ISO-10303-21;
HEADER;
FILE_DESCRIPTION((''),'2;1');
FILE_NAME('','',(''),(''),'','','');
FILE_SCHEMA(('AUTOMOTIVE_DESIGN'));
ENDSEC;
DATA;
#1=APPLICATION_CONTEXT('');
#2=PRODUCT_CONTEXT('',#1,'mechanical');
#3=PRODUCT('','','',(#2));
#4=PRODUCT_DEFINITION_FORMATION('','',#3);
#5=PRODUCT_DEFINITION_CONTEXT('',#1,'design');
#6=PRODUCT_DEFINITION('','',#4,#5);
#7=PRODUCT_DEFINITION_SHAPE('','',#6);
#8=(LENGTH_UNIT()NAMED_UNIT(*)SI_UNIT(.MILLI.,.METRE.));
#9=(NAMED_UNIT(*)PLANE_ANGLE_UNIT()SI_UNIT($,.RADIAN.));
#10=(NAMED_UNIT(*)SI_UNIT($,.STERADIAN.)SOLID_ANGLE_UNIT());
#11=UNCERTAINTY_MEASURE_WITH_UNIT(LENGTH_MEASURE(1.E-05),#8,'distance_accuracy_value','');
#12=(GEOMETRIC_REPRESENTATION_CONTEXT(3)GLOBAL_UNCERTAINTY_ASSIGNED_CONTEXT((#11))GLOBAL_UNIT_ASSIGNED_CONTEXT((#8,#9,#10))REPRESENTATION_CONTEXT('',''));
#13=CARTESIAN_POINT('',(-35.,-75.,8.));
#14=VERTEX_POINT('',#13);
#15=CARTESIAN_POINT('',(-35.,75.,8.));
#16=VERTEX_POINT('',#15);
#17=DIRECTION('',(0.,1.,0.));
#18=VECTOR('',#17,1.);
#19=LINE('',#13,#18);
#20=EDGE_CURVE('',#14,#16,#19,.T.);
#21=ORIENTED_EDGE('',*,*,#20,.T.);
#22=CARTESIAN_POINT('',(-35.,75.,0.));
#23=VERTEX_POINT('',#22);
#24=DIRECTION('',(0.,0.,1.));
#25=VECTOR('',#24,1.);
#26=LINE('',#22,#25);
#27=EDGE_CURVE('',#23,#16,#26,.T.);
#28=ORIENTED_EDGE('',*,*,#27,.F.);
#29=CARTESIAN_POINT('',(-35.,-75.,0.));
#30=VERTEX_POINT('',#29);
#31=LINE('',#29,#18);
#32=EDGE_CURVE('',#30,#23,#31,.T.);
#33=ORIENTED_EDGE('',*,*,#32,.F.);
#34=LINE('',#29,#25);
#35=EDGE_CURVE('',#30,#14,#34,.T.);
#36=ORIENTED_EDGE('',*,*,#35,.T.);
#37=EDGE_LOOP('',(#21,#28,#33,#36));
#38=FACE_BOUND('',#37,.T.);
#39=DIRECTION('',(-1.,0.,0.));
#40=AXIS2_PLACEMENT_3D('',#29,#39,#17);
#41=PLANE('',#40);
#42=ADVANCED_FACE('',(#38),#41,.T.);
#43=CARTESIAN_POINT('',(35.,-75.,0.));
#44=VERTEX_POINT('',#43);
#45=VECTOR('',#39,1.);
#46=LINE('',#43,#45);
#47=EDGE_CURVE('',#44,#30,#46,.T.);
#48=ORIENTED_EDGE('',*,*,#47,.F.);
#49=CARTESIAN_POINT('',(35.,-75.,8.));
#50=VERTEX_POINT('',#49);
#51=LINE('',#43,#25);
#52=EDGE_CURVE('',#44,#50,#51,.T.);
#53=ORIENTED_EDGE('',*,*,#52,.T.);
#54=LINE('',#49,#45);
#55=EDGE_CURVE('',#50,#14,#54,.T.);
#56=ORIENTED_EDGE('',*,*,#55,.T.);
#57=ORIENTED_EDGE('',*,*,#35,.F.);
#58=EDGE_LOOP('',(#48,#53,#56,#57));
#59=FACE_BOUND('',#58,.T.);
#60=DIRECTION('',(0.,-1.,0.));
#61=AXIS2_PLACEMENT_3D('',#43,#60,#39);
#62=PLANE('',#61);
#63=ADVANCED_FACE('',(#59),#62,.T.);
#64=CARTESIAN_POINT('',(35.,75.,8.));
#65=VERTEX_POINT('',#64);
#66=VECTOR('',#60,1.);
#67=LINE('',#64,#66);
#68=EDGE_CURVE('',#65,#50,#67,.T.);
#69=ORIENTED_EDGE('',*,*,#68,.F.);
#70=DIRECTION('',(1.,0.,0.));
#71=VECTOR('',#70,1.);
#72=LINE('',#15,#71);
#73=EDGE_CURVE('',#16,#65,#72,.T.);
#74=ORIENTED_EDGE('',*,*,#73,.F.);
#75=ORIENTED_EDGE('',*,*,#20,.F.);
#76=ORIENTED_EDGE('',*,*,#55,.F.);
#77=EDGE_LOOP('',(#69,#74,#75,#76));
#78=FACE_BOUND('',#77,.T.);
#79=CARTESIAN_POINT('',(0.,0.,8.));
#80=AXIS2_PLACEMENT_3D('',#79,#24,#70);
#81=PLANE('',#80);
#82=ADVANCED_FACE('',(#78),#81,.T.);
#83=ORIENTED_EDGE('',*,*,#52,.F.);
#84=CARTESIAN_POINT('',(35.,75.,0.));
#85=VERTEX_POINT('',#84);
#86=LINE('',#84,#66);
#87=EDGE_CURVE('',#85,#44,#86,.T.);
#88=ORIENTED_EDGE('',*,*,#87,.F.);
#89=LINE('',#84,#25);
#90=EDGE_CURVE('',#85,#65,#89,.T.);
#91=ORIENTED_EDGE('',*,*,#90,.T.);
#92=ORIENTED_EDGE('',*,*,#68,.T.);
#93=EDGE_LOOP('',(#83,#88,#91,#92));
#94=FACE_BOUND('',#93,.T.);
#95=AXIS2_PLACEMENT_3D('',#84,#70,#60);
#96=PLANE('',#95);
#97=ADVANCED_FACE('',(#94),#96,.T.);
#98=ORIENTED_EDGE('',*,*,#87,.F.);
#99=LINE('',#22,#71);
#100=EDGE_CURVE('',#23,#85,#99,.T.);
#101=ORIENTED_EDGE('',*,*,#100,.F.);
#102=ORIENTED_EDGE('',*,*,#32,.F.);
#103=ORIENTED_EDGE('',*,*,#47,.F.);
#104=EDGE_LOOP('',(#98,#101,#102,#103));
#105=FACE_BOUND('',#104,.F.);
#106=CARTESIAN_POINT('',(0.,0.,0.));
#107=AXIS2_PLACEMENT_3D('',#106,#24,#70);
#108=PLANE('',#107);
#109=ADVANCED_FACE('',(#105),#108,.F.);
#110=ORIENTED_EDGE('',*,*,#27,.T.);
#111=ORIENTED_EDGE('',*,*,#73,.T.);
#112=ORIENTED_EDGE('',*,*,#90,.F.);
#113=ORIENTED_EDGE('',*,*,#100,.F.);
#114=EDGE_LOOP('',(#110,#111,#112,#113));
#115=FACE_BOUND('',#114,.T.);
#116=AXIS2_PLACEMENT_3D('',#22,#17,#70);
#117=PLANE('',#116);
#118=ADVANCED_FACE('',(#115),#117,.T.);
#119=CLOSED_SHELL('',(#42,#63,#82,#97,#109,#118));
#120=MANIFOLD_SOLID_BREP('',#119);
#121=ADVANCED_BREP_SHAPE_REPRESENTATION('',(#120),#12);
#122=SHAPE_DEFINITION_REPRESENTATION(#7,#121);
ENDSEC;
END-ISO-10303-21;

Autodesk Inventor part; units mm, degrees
ref_plane "YZ Plane" through (0, 0, 0) normal (1, 0, 0) x (0, 1, 0)
ref_plane "XZ Plane" through (0, 0, 0) normal (0, 1, 0) x (-1, 0, 0)
ref_plane "XY Plane" through (0, 0, 0) normal (0, 0, 1) x (1, 0, 0)
sketch "Sketch1" plane through (0, 0, 0) normal (0, 0, 1) x (1, 0, 0)
  line L0 (-35, 75) -> (35, 75)
  line L1 (35, 75) -> (35, -75)
  line L2 (35, -75) -> (-35, -75)
  line L3 (-35, -75) -> (-35, 75)
  point P0 (0, 0)
  dimension "d0" = 70
  dimension "d1" = 150
  dimension "d2" = 75
  dimension "d3" = 35
extrude "Extrusion1" add sketch "Sketch1" along normal blind 8
equation "\"d2\" = 0.5 * d1"
equation "\"d3\" = 0.5 * d0"
properties part number "mobile vertical plate"
